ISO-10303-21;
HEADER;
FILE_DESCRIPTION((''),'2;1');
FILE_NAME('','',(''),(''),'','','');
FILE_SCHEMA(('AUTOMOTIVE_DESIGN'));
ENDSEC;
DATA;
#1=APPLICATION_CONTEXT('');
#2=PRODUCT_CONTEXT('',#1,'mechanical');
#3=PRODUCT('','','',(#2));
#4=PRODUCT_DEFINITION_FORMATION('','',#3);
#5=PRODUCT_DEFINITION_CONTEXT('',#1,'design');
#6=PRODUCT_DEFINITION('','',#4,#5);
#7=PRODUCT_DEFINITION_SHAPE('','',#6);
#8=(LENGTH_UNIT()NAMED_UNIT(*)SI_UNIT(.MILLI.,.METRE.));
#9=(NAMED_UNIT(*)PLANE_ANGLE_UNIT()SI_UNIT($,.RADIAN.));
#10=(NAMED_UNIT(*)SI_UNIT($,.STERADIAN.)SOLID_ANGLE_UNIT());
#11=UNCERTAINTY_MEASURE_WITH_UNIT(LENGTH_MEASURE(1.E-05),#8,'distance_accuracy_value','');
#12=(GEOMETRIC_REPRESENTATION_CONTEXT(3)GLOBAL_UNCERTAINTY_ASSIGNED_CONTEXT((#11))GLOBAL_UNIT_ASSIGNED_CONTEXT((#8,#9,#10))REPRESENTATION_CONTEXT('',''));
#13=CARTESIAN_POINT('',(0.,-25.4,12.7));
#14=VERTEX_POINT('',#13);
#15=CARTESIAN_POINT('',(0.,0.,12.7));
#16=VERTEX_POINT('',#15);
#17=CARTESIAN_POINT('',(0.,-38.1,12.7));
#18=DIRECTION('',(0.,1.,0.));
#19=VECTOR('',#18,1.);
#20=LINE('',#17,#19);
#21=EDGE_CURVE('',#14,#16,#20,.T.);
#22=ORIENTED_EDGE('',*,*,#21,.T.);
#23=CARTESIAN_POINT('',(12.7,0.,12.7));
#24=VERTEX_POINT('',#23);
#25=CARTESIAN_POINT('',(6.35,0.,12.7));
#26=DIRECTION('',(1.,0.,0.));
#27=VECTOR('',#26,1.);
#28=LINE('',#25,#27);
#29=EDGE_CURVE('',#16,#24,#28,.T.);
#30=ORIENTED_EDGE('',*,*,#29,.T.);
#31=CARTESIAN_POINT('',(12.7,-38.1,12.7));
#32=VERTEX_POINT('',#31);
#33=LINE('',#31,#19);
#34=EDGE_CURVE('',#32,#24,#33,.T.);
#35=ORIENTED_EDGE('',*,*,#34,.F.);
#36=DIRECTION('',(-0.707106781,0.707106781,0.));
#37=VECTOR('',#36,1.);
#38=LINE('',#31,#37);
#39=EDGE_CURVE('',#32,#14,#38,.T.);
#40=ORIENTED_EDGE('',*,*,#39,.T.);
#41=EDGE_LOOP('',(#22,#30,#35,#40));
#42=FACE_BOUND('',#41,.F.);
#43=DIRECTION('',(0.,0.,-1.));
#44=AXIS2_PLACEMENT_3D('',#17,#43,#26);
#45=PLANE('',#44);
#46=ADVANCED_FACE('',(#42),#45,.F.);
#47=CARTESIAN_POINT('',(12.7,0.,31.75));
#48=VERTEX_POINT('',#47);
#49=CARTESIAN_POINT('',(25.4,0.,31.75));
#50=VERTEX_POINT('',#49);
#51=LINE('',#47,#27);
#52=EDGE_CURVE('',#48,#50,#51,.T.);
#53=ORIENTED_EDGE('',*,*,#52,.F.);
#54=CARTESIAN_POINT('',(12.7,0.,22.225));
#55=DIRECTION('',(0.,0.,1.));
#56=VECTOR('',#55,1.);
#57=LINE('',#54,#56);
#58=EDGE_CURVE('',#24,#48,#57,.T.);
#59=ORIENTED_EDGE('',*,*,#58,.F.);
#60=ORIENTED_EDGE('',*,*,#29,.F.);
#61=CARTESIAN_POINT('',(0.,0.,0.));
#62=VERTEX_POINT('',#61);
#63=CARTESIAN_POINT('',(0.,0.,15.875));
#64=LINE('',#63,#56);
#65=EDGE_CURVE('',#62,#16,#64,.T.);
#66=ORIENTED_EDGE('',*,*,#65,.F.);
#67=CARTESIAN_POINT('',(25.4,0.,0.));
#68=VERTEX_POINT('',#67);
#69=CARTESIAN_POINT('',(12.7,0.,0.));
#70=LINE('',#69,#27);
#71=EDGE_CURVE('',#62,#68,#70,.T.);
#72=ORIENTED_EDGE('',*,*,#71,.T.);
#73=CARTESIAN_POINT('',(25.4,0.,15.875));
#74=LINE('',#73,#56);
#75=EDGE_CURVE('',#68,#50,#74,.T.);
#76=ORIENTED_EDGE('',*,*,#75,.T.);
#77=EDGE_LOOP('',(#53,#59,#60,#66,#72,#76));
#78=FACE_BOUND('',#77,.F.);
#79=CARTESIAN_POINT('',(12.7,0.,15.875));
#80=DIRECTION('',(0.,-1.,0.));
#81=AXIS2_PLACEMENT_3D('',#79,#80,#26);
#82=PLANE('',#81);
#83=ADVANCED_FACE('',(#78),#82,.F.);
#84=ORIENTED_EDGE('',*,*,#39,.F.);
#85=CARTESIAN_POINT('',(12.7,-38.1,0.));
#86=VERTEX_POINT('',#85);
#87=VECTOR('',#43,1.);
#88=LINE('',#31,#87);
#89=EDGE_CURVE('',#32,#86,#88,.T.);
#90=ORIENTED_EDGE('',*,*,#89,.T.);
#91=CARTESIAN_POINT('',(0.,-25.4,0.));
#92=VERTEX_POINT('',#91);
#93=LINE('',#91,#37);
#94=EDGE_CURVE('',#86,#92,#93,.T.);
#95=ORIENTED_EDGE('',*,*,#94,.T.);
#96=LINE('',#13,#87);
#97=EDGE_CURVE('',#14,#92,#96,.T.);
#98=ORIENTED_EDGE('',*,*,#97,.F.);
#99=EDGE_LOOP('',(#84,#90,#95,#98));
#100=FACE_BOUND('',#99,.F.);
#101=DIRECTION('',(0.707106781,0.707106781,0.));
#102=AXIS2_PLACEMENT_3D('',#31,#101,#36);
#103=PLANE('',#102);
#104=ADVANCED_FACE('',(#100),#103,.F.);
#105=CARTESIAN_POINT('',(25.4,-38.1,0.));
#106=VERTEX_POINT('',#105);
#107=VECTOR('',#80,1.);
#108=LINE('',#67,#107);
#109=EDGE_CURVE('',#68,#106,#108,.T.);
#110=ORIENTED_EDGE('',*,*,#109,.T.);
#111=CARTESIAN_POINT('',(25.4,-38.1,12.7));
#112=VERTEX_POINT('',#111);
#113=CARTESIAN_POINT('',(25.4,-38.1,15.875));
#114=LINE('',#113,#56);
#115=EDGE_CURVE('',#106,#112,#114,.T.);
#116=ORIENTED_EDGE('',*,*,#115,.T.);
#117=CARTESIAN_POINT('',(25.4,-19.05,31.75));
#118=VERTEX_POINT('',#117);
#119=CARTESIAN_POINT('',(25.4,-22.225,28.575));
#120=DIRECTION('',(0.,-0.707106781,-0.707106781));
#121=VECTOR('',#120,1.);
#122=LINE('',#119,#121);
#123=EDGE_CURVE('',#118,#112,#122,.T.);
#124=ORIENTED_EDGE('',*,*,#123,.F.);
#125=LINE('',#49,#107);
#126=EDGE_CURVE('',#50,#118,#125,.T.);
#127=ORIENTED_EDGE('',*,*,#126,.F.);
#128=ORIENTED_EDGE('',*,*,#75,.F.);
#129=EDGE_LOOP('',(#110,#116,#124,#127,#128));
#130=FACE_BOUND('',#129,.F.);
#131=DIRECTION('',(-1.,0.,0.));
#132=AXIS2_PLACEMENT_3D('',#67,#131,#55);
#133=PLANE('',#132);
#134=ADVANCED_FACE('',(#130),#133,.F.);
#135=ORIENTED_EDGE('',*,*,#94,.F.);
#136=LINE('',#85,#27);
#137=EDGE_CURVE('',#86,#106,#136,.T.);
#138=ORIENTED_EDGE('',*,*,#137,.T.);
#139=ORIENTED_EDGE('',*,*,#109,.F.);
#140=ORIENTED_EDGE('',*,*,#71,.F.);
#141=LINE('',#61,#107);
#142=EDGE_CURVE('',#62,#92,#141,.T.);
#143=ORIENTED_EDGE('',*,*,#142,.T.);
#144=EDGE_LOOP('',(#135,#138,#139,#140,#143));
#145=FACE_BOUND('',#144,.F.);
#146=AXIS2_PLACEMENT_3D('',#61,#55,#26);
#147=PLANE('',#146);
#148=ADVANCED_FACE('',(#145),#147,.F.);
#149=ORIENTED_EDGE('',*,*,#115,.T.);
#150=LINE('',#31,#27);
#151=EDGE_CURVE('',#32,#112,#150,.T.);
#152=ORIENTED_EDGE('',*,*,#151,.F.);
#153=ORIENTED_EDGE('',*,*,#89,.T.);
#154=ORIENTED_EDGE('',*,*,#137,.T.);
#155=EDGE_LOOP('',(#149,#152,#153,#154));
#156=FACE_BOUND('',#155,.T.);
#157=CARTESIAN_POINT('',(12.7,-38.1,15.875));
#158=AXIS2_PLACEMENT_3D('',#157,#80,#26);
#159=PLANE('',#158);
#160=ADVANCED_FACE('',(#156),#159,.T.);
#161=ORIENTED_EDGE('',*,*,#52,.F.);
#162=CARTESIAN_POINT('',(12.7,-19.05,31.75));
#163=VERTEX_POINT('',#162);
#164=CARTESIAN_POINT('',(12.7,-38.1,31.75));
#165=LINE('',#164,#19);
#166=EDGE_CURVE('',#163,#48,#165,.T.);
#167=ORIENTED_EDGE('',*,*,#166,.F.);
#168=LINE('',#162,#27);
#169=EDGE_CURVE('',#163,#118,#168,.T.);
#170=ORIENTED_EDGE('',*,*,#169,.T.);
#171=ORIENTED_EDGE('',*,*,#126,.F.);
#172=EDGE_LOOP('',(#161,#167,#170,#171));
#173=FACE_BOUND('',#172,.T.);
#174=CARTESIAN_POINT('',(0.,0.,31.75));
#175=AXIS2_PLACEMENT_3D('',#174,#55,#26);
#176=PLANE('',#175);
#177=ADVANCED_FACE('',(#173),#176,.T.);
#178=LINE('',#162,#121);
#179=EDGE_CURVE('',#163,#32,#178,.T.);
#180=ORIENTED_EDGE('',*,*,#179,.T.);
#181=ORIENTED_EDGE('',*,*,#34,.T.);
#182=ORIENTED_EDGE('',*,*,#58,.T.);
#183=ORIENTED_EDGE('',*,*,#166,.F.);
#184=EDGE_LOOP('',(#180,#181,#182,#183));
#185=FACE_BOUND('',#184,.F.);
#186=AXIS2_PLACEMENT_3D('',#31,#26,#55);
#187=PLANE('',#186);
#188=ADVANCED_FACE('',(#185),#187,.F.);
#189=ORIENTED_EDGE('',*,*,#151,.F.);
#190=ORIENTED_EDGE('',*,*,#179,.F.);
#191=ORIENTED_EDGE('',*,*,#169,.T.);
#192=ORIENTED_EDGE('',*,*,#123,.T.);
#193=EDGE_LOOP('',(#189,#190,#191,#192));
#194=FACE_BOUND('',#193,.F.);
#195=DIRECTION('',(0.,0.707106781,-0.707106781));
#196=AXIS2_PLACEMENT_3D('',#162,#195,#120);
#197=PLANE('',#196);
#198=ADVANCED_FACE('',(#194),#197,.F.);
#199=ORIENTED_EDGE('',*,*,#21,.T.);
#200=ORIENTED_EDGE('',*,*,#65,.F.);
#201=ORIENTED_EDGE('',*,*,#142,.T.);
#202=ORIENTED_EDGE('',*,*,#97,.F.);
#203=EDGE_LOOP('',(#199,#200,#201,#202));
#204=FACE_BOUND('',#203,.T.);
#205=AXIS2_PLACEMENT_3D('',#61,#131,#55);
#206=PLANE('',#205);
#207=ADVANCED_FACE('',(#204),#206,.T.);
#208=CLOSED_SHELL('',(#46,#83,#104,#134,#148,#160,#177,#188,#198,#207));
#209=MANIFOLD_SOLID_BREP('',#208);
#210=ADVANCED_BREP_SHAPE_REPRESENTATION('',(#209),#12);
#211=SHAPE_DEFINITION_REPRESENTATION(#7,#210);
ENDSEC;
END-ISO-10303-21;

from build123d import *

# Parameters (mm, degrees)
F0_W     = 25.4
F0_H     = 31.75
F1_DEPTH = 38.1
F2_W     = 12.7
F2_H     = 19.05
F3_DEPTH = 38.1
F5_DEPTH = 25.4
F7_DEPTH = 25.4


with BuildPart() as f1:
    # F0 (on Front) → F1 (new body)
    with BuildSketch(Plane.XZ):
        with Locations((12.7, 15.875)):
            Rectangle(F0_W, F0_H)
    extrude(amount=F1_DEPTH)

    # F2 (on face) → F3 (cut)
    with BuildSketch(Plane.XZ.offset(38.1)):
        with Locations((6.35, 22.225)):
            Rectangle(F2_W, F2_H)
    extrude(amount=-F3_DEPTH, mode=Mode.SUBTRACT)

    # F4 (on face) → F5 (cut)
    with BuildSketch(Plane(origin=(12.7, 0, 0), x_dir=(0, -1, 0), z_dir=(-1, 0, 0))):
        Polygon((38.1, 12.7), (38.1, 31.75), (19.05, 31.75), align=None)
    extrude(amount=-F5_DEPTH, mode=Mode.SUBTRACT)

    # F6 (on face) → F7 (cut)
    with BuildSketch(Plane.XY.offset(12.7)):
        Polygon((0, -25.4), (0, -38.1), (12.7, -38.1), align=None)
    extrude(amount=-F7_DEPTH, mode=Mode.SUBTRACT)


solid = f1.part
